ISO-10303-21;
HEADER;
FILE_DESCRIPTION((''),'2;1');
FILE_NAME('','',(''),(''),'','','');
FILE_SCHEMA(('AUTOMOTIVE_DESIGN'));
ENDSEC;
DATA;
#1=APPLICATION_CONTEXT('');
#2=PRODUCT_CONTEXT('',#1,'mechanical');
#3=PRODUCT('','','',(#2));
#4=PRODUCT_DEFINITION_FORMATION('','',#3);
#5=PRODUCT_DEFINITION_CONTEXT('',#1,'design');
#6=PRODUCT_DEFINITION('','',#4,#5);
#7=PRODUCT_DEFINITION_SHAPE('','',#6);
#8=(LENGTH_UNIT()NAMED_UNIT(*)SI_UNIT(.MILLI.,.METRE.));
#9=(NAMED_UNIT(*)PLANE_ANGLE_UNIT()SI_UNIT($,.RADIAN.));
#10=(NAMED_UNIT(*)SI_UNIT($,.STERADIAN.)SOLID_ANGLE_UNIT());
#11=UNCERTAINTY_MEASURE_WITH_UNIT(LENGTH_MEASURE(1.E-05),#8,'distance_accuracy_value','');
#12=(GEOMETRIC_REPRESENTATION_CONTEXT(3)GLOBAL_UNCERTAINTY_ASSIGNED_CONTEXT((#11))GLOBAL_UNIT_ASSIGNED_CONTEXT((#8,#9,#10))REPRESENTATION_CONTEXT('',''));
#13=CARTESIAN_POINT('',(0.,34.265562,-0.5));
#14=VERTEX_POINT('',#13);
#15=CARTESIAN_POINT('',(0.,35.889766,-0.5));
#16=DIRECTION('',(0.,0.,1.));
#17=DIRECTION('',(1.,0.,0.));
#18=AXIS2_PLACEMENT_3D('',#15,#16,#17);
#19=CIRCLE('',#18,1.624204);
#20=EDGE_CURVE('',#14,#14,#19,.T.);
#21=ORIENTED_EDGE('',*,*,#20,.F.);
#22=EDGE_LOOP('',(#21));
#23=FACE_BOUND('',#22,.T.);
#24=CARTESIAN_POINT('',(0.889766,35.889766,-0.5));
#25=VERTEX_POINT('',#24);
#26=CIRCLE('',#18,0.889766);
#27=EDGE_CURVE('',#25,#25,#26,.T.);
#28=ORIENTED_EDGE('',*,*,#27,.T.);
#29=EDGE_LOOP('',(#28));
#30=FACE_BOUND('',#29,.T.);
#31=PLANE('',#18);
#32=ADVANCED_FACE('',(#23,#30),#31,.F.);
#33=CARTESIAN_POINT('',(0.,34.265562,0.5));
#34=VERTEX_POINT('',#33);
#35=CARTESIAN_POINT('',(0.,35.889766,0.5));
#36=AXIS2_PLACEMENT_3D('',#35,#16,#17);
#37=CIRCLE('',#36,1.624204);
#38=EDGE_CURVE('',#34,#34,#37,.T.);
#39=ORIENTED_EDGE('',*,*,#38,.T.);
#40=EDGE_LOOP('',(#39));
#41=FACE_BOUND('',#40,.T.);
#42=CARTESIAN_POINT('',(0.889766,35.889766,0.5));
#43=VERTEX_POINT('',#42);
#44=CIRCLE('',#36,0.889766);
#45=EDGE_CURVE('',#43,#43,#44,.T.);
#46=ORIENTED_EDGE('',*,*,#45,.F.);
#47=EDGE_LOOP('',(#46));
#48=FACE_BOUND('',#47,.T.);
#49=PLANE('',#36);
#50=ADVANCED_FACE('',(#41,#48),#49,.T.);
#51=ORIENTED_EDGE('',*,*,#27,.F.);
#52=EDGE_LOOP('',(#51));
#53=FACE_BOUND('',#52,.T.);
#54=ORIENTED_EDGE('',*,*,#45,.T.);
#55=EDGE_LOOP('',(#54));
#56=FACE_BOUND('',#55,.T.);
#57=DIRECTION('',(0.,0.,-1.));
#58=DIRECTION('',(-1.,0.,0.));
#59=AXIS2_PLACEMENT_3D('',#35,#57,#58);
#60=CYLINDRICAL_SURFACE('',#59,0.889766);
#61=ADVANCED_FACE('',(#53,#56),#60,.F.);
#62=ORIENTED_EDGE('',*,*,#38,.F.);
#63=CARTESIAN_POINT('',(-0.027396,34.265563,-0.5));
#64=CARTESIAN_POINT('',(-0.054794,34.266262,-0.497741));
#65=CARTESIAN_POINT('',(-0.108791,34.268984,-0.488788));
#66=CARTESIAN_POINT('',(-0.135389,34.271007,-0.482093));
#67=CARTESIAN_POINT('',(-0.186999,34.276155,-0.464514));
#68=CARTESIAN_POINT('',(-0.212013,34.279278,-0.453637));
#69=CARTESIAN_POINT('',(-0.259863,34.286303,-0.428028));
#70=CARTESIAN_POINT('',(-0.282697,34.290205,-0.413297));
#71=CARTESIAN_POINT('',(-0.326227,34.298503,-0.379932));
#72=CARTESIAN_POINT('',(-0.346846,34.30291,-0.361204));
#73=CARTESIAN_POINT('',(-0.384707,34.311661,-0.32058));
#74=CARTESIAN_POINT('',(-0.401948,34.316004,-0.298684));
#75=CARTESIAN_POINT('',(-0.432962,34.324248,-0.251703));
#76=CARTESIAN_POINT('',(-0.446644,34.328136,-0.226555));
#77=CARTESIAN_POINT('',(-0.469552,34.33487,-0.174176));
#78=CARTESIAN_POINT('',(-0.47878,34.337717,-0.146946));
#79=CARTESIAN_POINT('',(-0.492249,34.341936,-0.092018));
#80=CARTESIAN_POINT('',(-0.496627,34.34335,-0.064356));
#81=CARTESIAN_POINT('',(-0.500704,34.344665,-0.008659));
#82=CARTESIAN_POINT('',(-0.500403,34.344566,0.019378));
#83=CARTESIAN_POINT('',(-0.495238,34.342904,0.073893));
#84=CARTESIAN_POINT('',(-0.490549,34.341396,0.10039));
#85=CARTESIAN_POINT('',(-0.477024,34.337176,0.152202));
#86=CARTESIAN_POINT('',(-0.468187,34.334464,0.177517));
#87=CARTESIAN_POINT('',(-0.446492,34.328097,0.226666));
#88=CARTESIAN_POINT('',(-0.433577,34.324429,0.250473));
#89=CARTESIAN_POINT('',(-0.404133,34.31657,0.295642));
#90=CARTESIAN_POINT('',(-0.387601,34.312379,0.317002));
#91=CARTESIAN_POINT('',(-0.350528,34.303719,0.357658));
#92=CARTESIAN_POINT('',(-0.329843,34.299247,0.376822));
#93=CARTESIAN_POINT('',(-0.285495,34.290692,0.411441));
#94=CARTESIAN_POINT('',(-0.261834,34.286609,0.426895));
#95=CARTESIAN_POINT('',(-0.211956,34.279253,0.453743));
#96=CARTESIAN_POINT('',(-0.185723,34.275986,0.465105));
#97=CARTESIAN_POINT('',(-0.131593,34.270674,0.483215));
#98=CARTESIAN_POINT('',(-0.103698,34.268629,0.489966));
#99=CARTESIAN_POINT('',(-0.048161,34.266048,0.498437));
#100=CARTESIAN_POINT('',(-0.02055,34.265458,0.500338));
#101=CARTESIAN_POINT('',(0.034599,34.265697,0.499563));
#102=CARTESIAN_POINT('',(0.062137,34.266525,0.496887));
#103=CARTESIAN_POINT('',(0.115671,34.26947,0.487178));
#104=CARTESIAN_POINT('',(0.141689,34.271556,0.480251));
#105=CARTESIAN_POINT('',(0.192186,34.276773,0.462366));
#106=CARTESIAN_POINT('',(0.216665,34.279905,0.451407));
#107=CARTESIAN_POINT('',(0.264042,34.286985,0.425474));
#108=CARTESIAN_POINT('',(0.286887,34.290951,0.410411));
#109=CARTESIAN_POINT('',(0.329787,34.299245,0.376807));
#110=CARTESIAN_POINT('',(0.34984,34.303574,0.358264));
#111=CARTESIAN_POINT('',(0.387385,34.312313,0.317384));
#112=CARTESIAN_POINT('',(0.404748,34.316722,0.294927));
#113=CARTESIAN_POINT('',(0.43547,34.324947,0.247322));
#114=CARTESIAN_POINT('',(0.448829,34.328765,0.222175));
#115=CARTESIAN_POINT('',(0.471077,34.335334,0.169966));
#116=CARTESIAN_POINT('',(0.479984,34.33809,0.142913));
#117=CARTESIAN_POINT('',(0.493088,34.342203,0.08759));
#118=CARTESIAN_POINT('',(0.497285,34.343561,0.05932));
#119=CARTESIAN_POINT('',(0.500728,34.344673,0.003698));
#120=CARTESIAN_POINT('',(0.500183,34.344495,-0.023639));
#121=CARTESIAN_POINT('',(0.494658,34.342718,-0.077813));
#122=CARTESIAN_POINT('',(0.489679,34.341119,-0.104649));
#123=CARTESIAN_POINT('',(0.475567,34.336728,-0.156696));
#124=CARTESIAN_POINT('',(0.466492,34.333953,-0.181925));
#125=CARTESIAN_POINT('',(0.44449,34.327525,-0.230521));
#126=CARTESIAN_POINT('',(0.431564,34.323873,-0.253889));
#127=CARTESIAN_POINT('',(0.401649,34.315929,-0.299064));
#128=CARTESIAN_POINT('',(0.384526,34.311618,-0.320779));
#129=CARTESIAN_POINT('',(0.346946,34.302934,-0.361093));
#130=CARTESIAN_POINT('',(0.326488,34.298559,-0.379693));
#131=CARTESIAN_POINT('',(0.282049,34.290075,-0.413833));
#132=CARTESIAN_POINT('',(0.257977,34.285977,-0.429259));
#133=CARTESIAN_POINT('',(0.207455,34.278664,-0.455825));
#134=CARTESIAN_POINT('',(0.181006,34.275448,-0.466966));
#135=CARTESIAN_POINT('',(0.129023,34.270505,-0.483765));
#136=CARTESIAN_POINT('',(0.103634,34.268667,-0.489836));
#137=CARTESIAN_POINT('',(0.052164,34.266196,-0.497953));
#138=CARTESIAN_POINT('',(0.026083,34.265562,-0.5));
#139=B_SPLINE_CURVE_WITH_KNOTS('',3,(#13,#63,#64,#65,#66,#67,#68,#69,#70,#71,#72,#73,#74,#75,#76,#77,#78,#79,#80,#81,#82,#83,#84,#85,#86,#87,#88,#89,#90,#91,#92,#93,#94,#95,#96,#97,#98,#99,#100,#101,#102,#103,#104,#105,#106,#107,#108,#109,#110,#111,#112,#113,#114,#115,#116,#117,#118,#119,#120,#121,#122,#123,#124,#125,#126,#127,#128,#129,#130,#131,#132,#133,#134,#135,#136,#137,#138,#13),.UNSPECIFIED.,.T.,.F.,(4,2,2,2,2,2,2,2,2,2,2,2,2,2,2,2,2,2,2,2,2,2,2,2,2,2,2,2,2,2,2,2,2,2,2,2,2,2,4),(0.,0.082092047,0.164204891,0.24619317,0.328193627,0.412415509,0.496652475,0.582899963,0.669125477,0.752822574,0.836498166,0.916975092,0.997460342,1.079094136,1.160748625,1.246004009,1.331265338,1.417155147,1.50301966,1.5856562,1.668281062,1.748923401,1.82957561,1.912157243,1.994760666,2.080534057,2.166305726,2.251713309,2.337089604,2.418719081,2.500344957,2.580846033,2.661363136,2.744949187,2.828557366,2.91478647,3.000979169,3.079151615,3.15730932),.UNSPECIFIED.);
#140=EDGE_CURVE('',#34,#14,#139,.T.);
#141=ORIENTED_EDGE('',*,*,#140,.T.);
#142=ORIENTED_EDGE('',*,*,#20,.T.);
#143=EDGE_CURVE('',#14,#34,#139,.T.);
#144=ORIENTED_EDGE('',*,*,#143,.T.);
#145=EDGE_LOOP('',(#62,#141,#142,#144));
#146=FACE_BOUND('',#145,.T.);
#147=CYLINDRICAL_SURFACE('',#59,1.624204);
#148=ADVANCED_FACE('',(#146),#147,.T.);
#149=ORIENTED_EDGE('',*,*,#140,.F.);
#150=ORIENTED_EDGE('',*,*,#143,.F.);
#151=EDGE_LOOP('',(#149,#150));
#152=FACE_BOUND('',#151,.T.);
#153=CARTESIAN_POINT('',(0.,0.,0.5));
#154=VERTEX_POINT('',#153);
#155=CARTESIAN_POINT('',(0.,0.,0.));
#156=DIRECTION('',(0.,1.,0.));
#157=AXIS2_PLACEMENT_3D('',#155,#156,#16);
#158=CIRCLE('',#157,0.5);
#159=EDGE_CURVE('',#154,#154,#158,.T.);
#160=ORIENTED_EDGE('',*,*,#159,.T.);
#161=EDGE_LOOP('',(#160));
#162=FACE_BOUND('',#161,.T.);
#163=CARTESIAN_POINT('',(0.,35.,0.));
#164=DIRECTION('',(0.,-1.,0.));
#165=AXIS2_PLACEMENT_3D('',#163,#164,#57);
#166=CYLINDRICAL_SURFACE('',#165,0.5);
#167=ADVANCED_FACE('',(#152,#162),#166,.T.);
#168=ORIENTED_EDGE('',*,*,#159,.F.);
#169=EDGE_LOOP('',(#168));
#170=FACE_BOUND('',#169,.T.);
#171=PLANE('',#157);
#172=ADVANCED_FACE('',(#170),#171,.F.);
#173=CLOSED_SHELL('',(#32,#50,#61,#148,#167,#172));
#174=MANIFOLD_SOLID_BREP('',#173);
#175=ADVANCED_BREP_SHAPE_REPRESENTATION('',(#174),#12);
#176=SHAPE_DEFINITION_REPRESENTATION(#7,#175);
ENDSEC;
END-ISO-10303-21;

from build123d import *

# Parameters (mm, degrees)
SKETCH1_R           = 0.5
BOSS_EXTRUDE1_DEPTH = 35
SKETCH2_R           = 1.624203736
SKETCH2_R_2         = 0.889766173
BOSS_EXTRUDE2_DEPTH = 0.5


with BuildPart() as part:
    # Sketch1 → Boss-Extrude1 (new body)
    with BuildSketch(Plane(origin=(0, 0, 0), x_dir=(1, 0, 0), z_dir=(0, 1, 0))):
        Circle(SKETCH1_R)
    extrude(amount=BOSS_EXTRUDE1_DEPTH)

    # Sketch2 → Boss-Extrude2 (add, symmetric)
    with BuildSketch(Plane.XY):
        with Locations((0, 35.889766173)):
            Circle(SKETCH2_R)
        with Locations((0, 35.889766173)):
            Circle(SKETCH2_R_2, mode=Mode.SUBTRACT)
    extrude(amount=BOSS_EXTRUDE2_DEPTH, both=True)


solid = part.part
